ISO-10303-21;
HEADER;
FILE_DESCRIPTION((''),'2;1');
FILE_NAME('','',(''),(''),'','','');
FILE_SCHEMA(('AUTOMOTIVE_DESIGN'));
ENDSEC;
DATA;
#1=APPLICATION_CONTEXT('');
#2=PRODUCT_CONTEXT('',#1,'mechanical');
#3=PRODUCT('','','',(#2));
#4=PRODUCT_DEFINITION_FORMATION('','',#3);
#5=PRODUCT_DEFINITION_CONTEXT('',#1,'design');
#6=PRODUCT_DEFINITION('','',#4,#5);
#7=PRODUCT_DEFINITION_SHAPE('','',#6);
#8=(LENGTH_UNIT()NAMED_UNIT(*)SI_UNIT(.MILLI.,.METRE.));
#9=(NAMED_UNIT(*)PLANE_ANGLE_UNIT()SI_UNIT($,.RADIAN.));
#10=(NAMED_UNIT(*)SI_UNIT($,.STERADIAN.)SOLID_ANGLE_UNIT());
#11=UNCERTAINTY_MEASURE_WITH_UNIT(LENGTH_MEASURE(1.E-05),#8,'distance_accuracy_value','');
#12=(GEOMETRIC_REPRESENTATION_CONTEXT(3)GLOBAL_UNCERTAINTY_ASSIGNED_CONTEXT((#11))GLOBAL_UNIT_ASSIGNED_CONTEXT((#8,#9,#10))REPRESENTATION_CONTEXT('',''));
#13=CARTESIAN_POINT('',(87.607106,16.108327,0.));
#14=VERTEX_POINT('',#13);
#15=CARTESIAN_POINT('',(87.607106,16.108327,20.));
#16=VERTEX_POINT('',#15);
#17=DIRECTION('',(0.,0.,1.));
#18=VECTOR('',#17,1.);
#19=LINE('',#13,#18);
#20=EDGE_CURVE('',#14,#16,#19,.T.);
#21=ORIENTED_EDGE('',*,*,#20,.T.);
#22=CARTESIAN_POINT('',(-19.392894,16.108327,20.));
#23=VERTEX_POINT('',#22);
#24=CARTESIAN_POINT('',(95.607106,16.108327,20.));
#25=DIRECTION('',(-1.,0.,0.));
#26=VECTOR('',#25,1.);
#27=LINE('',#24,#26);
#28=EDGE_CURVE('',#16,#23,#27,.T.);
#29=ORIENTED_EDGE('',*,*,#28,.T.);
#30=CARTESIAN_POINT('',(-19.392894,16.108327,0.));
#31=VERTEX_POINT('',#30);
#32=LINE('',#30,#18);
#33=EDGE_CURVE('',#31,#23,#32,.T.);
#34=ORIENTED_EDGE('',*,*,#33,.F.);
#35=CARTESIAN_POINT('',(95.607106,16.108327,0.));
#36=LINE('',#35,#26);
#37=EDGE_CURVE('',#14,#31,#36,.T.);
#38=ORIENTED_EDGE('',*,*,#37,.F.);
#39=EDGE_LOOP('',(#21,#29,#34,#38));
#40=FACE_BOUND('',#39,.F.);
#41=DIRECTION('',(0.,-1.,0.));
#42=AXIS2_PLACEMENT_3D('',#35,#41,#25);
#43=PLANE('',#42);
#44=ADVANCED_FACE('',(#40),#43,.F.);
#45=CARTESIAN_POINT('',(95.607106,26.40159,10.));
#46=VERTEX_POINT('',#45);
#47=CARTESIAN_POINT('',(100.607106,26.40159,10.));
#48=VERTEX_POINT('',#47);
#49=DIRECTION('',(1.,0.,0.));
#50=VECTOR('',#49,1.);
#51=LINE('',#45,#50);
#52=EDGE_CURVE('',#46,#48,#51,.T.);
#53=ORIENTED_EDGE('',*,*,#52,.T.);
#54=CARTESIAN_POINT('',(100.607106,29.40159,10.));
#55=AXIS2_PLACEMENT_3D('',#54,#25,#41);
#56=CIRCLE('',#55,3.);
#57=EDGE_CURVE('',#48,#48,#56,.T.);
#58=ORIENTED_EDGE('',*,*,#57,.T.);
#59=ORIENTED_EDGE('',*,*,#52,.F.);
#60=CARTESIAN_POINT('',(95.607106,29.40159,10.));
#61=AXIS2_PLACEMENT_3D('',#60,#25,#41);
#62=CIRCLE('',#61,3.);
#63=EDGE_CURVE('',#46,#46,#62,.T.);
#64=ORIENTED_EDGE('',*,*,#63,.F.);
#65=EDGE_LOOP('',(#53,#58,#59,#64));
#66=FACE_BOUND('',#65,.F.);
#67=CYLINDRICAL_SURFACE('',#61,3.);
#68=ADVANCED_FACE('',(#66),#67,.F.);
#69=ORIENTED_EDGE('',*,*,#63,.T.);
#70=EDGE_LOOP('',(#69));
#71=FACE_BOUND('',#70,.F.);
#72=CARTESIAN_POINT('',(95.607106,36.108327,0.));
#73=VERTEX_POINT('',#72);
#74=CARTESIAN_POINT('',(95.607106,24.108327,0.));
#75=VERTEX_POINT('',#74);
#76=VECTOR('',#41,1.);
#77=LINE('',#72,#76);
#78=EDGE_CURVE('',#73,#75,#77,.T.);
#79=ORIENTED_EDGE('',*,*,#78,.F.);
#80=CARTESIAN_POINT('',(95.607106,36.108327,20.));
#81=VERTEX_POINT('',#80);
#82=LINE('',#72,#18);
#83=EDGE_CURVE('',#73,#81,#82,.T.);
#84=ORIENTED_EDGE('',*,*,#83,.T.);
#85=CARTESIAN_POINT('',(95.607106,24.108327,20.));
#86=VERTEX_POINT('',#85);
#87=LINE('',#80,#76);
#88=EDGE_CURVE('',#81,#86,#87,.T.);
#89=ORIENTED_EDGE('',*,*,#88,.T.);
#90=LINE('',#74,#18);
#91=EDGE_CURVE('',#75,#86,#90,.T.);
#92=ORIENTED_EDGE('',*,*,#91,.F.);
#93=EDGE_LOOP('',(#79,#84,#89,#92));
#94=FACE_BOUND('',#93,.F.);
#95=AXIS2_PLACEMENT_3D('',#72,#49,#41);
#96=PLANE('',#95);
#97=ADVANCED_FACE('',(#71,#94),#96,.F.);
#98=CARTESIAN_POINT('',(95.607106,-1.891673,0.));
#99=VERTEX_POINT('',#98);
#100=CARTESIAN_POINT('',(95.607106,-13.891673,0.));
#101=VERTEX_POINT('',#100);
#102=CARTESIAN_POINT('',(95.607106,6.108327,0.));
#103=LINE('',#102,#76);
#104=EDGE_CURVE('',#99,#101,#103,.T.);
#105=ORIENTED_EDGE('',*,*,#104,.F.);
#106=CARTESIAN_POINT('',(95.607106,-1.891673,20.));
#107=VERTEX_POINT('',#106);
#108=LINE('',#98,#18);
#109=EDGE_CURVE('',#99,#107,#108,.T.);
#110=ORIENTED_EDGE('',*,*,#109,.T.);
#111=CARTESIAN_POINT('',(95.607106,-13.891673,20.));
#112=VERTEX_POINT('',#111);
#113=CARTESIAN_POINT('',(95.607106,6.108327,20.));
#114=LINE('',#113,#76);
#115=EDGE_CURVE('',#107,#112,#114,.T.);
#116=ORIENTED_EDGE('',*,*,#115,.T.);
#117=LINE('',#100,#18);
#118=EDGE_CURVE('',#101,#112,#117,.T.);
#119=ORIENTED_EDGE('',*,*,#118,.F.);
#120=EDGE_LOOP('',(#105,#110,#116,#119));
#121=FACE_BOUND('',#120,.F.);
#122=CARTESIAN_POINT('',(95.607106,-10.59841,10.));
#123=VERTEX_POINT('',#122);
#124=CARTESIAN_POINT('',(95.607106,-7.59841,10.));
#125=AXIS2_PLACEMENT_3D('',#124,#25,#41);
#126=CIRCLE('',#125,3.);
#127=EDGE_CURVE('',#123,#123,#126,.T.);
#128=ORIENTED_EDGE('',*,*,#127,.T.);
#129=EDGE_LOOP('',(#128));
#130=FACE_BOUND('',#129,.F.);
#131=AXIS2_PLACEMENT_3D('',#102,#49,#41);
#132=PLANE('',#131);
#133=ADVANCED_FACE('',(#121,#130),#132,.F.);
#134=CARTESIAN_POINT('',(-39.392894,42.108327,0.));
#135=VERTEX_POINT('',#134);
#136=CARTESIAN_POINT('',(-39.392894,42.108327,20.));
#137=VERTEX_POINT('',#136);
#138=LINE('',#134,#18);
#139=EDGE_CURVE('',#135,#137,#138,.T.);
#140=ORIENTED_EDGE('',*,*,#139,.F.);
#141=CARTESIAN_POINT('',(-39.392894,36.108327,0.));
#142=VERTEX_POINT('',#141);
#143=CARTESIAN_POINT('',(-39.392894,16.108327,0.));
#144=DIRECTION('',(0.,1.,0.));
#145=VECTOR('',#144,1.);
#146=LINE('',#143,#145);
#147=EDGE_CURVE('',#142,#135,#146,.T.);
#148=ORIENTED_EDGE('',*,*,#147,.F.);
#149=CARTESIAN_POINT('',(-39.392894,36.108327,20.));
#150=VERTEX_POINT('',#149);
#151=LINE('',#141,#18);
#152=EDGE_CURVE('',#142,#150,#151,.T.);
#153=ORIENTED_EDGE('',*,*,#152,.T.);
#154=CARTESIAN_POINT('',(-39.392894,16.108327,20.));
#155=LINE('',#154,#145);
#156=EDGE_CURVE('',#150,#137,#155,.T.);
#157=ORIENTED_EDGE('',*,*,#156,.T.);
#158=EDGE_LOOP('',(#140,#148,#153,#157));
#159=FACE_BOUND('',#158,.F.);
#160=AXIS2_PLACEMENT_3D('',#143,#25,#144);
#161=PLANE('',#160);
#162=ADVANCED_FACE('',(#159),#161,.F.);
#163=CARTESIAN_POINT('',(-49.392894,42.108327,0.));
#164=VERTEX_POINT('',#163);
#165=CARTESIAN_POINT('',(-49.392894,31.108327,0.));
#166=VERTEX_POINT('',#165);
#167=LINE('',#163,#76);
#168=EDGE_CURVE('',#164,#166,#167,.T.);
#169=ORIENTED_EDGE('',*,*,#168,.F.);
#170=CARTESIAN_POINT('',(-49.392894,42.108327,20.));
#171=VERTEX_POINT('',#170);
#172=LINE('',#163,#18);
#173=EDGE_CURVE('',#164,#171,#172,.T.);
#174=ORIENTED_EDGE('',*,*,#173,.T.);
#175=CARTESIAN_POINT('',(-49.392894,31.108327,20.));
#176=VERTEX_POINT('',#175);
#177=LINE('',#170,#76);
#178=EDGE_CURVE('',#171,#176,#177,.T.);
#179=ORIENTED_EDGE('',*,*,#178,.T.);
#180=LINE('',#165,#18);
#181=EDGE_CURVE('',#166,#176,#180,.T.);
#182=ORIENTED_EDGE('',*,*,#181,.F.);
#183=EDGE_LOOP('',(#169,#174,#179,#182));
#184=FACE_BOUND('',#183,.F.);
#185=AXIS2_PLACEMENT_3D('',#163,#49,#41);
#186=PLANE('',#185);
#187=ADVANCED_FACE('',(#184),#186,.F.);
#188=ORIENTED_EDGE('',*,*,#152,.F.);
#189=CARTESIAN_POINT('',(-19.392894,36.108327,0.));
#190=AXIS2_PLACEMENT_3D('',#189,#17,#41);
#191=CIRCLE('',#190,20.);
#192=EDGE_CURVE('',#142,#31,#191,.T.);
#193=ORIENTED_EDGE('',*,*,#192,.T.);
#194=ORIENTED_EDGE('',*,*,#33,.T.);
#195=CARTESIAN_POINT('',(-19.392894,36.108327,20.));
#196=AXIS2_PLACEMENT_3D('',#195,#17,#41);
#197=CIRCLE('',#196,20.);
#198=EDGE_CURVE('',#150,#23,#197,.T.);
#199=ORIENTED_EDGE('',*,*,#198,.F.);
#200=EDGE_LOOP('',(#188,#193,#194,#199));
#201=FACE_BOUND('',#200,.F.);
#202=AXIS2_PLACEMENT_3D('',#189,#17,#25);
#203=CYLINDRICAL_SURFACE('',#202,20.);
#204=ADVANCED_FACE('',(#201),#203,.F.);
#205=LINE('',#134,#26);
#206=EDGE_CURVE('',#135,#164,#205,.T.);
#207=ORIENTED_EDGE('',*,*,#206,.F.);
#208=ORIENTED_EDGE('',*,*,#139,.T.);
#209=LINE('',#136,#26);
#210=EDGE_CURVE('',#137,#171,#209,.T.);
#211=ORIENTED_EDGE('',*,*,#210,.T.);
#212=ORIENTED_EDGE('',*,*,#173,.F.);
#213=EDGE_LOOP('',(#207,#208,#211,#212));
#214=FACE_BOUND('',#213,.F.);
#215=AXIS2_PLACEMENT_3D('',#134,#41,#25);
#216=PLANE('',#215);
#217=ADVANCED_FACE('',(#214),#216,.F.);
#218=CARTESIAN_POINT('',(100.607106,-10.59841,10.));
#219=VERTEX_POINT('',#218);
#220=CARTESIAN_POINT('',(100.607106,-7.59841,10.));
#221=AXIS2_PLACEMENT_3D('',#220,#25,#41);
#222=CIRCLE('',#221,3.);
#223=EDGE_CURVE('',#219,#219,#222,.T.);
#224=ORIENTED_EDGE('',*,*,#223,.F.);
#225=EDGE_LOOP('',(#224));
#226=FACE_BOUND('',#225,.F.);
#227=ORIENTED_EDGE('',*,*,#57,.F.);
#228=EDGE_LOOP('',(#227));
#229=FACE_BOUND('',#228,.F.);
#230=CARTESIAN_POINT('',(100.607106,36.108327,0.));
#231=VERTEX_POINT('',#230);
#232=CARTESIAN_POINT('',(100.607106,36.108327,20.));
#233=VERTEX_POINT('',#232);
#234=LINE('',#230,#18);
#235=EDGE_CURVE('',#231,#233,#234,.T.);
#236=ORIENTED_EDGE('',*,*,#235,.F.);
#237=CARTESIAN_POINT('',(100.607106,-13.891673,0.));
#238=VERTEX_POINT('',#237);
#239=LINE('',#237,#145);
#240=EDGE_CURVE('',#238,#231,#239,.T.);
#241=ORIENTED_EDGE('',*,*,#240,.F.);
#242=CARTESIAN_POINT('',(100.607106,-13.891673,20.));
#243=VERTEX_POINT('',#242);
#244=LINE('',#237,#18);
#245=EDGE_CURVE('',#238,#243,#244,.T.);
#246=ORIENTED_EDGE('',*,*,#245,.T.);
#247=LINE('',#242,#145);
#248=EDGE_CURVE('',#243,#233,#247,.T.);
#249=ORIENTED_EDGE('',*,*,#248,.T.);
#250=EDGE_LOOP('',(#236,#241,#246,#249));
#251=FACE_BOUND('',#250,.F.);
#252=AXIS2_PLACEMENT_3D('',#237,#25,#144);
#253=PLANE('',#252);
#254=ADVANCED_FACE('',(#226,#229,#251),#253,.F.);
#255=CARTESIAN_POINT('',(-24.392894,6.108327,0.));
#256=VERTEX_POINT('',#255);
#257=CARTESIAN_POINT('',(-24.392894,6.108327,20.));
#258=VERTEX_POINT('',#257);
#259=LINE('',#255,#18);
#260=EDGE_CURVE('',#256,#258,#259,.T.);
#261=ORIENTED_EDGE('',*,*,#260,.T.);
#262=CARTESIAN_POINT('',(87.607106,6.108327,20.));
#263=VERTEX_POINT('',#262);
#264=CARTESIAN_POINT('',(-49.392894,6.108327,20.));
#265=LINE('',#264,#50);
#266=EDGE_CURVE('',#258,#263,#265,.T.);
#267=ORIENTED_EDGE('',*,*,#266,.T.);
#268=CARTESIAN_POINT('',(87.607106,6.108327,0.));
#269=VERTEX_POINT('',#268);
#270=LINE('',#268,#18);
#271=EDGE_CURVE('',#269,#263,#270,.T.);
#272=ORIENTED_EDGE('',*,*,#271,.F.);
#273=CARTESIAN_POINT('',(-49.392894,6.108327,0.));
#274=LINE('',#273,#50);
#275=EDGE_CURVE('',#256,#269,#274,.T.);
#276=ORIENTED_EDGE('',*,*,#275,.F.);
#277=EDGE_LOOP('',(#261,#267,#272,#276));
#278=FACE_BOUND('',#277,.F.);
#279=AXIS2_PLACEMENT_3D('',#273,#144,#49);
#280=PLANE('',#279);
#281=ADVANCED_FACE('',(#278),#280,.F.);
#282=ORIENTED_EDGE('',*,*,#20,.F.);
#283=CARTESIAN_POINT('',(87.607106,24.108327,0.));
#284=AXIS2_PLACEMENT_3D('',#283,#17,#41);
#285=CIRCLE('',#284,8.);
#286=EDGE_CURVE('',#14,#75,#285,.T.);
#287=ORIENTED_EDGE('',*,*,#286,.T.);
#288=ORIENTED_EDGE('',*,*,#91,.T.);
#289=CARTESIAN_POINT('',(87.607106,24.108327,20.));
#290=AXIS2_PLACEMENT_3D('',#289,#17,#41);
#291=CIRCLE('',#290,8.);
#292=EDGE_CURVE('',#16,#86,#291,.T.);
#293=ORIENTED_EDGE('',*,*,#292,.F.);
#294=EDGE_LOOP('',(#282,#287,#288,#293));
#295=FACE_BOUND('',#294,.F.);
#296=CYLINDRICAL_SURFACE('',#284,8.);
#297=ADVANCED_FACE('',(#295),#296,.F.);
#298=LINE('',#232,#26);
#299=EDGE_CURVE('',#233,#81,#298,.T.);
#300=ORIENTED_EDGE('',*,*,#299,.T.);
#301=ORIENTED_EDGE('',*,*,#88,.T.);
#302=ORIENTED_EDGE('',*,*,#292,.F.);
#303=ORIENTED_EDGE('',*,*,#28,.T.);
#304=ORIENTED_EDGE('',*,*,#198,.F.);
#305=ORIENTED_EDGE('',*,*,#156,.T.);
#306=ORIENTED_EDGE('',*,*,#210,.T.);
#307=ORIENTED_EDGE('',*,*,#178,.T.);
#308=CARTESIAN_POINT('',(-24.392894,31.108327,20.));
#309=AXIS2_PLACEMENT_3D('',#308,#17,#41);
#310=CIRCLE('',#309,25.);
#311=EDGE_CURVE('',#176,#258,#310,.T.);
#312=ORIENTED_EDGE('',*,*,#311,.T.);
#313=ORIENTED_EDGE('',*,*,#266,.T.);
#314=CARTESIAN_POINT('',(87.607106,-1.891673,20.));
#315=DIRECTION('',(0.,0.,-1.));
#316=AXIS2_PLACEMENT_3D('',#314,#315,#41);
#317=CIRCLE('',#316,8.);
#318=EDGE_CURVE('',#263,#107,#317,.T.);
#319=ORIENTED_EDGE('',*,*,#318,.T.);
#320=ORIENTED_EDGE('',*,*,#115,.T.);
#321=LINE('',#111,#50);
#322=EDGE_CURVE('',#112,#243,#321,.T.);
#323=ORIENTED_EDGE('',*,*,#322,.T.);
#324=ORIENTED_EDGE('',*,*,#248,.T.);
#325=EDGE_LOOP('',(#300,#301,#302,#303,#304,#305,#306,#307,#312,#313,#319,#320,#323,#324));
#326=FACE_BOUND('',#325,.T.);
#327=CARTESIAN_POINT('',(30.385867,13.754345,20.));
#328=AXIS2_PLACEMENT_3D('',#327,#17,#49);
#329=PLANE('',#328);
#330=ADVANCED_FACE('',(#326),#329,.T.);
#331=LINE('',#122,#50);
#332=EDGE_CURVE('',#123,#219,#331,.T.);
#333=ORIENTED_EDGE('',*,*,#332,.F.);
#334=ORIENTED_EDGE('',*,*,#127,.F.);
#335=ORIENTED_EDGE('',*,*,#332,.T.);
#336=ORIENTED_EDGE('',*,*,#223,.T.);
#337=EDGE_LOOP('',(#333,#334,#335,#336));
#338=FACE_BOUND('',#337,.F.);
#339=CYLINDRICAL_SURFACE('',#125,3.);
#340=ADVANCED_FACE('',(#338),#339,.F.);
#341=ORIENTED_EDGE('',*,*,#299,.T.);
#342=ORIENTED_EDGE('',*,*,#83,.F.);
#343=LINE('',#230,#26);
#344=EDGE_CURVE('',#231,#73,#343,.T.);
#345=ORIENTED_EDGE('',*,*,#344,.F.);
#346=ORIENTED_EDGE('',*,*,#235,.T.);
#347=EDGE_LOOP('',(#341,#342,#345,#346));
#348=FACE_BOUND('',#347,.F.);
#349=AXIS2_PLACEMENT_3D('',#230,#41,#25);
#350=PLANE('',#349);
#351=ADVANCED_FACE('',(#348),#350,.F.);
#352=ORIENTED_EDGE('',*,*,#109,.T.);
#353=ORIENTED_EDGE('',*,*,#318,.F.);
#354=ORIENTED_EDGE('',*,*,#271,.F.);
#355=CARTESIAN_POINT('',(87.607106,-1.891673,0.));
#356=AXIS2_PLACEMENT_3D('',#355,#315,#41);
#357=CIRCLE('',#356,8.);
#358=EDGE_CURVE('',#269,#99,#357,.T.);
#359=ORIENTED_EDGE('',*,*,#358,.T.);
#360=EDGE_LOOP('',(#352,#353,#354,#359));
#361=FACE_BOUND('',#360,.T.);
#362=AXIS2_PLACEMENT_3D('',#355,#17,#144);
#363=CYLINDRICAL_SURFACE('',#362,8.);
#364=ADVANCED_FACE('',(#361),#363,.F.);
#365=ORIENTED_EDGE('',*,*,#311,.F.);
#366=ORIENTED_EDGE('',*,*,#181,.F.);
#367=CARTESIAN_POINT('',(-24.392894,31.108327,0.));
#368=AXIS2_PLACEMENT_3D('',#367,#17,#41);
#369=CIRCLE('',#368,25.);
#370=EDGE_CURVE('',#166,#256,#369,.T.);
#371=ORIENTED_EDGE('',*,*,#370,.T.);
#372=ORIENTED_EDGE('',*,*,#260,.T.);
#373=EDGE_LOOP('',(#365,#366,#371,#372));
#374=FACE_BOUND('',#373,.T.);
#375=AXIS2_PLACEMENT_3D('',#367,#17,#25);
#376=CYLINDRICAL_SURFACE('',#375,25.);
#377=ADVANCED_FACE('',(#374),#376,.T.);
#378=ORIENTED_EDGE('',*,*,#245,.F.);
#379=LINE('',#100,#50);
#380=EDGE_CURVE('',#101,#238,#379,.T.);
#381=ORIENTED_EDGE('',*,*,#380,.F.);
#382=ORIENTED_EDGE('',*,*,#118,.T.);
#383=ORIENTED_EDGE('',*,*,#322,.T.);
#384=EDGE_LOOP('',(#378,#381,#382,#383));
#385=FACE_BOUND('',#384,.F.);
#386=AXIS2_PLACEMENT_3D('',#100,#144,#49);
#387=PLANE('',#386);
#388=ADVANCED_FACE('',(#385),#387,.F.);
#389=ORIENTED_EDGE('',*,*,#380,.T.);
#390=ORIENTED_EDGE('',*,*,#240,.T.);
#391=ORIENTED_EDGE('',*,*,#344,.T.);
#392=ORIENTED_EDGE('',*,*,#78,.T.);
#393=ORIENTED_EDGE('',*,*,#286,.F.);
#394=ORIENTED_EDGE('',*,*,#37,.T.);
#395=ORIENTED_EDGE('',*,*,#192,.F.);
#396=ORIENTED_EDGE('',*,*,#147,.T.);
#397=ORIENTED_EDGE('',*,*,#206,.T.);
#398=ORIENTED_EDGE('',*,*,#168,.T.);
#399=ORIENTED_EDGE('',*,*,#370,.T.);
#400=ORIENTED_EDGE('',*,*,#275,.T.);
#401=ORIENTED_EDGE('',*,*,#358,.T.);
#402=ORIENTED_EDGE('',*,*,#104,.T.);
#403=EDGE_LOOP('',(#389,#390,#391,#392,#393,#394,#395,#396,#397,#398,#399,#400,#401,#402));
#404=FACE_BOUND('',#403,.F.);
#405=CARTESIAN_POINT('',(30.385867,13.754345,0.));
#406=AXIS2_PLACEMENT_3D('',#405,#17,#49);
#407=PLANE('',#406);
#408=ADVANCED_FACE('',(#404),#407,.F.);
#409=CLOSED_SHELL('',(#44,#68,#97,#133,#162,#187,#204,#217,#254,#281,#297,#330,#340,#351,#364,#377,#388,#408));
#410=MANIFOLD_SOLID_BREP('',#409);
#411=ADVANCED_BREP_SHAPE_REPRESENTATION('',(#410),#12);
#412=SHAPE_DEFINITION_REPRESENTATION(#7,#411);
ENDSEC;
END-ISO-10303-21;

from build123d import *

# Parameters (mm, degrees)
F1_DEPTH = 20
F2_R     = 25
F3_R     = 8
F4_R     = 3
F5_DEPTH = 25
F6_R     = 20


with BuildPart() as f1:
    # F0 (on Top) → F1 (new body)
    with BuildSketch(Plane.XY):
        Polygon((95.607106, 36.108327), (95.607106, 16.108327), (-39.392894, 16.108327), (-39.392894, 42.108327), (-49.392894, 42.108327), (-49.392894, 6.108327), (95.607106, 6.108327), (95.607106, -13.891673), (100.607106, -13.891673), (100.607106, 16.108327), (100.607106, 36.108327), align=None)
    extrude(amount=F1_DEPTH)

    # F2
    f2_edges = [f1.edges().sort_by_distance(p)[0] for p in [
        (-49.392894, 6.108327, 10),
    ]]
    fillet(f2_edges, radius=F2_R)

    # F3
    f3_edges = [f1.edges().sort_by_distance(p)[0] for p in [
        (95.607106, 6.108327, 10),
        (95.607106, 16.108327, 10),
    ]]
    fillet(f3_edges, radius=F3_R)

    # F4 (on face) → F5 (cut)
    with BuildSketch(Plane(origin=(95.607106, 0, 0), x_dir=(0, -1, 0), z_dir=(-1, 0, 0))):
        with Locations((7.59841, 10)):
            Circle(F4_R)
        with Locations((-29.40159, 10)):
            Circle(F4_R)
    extrude(amount=-F5_DEPTH, mode=Mode.SUBTRACT)

    # F6
    f6_edges = [f1.edges().sort_by_distance(p)[0] for p in [
        (-39.392894, 16.108327, 10),
    ]]
    fillet(f6_edges, radius=F6_R)


solid = f1.part
